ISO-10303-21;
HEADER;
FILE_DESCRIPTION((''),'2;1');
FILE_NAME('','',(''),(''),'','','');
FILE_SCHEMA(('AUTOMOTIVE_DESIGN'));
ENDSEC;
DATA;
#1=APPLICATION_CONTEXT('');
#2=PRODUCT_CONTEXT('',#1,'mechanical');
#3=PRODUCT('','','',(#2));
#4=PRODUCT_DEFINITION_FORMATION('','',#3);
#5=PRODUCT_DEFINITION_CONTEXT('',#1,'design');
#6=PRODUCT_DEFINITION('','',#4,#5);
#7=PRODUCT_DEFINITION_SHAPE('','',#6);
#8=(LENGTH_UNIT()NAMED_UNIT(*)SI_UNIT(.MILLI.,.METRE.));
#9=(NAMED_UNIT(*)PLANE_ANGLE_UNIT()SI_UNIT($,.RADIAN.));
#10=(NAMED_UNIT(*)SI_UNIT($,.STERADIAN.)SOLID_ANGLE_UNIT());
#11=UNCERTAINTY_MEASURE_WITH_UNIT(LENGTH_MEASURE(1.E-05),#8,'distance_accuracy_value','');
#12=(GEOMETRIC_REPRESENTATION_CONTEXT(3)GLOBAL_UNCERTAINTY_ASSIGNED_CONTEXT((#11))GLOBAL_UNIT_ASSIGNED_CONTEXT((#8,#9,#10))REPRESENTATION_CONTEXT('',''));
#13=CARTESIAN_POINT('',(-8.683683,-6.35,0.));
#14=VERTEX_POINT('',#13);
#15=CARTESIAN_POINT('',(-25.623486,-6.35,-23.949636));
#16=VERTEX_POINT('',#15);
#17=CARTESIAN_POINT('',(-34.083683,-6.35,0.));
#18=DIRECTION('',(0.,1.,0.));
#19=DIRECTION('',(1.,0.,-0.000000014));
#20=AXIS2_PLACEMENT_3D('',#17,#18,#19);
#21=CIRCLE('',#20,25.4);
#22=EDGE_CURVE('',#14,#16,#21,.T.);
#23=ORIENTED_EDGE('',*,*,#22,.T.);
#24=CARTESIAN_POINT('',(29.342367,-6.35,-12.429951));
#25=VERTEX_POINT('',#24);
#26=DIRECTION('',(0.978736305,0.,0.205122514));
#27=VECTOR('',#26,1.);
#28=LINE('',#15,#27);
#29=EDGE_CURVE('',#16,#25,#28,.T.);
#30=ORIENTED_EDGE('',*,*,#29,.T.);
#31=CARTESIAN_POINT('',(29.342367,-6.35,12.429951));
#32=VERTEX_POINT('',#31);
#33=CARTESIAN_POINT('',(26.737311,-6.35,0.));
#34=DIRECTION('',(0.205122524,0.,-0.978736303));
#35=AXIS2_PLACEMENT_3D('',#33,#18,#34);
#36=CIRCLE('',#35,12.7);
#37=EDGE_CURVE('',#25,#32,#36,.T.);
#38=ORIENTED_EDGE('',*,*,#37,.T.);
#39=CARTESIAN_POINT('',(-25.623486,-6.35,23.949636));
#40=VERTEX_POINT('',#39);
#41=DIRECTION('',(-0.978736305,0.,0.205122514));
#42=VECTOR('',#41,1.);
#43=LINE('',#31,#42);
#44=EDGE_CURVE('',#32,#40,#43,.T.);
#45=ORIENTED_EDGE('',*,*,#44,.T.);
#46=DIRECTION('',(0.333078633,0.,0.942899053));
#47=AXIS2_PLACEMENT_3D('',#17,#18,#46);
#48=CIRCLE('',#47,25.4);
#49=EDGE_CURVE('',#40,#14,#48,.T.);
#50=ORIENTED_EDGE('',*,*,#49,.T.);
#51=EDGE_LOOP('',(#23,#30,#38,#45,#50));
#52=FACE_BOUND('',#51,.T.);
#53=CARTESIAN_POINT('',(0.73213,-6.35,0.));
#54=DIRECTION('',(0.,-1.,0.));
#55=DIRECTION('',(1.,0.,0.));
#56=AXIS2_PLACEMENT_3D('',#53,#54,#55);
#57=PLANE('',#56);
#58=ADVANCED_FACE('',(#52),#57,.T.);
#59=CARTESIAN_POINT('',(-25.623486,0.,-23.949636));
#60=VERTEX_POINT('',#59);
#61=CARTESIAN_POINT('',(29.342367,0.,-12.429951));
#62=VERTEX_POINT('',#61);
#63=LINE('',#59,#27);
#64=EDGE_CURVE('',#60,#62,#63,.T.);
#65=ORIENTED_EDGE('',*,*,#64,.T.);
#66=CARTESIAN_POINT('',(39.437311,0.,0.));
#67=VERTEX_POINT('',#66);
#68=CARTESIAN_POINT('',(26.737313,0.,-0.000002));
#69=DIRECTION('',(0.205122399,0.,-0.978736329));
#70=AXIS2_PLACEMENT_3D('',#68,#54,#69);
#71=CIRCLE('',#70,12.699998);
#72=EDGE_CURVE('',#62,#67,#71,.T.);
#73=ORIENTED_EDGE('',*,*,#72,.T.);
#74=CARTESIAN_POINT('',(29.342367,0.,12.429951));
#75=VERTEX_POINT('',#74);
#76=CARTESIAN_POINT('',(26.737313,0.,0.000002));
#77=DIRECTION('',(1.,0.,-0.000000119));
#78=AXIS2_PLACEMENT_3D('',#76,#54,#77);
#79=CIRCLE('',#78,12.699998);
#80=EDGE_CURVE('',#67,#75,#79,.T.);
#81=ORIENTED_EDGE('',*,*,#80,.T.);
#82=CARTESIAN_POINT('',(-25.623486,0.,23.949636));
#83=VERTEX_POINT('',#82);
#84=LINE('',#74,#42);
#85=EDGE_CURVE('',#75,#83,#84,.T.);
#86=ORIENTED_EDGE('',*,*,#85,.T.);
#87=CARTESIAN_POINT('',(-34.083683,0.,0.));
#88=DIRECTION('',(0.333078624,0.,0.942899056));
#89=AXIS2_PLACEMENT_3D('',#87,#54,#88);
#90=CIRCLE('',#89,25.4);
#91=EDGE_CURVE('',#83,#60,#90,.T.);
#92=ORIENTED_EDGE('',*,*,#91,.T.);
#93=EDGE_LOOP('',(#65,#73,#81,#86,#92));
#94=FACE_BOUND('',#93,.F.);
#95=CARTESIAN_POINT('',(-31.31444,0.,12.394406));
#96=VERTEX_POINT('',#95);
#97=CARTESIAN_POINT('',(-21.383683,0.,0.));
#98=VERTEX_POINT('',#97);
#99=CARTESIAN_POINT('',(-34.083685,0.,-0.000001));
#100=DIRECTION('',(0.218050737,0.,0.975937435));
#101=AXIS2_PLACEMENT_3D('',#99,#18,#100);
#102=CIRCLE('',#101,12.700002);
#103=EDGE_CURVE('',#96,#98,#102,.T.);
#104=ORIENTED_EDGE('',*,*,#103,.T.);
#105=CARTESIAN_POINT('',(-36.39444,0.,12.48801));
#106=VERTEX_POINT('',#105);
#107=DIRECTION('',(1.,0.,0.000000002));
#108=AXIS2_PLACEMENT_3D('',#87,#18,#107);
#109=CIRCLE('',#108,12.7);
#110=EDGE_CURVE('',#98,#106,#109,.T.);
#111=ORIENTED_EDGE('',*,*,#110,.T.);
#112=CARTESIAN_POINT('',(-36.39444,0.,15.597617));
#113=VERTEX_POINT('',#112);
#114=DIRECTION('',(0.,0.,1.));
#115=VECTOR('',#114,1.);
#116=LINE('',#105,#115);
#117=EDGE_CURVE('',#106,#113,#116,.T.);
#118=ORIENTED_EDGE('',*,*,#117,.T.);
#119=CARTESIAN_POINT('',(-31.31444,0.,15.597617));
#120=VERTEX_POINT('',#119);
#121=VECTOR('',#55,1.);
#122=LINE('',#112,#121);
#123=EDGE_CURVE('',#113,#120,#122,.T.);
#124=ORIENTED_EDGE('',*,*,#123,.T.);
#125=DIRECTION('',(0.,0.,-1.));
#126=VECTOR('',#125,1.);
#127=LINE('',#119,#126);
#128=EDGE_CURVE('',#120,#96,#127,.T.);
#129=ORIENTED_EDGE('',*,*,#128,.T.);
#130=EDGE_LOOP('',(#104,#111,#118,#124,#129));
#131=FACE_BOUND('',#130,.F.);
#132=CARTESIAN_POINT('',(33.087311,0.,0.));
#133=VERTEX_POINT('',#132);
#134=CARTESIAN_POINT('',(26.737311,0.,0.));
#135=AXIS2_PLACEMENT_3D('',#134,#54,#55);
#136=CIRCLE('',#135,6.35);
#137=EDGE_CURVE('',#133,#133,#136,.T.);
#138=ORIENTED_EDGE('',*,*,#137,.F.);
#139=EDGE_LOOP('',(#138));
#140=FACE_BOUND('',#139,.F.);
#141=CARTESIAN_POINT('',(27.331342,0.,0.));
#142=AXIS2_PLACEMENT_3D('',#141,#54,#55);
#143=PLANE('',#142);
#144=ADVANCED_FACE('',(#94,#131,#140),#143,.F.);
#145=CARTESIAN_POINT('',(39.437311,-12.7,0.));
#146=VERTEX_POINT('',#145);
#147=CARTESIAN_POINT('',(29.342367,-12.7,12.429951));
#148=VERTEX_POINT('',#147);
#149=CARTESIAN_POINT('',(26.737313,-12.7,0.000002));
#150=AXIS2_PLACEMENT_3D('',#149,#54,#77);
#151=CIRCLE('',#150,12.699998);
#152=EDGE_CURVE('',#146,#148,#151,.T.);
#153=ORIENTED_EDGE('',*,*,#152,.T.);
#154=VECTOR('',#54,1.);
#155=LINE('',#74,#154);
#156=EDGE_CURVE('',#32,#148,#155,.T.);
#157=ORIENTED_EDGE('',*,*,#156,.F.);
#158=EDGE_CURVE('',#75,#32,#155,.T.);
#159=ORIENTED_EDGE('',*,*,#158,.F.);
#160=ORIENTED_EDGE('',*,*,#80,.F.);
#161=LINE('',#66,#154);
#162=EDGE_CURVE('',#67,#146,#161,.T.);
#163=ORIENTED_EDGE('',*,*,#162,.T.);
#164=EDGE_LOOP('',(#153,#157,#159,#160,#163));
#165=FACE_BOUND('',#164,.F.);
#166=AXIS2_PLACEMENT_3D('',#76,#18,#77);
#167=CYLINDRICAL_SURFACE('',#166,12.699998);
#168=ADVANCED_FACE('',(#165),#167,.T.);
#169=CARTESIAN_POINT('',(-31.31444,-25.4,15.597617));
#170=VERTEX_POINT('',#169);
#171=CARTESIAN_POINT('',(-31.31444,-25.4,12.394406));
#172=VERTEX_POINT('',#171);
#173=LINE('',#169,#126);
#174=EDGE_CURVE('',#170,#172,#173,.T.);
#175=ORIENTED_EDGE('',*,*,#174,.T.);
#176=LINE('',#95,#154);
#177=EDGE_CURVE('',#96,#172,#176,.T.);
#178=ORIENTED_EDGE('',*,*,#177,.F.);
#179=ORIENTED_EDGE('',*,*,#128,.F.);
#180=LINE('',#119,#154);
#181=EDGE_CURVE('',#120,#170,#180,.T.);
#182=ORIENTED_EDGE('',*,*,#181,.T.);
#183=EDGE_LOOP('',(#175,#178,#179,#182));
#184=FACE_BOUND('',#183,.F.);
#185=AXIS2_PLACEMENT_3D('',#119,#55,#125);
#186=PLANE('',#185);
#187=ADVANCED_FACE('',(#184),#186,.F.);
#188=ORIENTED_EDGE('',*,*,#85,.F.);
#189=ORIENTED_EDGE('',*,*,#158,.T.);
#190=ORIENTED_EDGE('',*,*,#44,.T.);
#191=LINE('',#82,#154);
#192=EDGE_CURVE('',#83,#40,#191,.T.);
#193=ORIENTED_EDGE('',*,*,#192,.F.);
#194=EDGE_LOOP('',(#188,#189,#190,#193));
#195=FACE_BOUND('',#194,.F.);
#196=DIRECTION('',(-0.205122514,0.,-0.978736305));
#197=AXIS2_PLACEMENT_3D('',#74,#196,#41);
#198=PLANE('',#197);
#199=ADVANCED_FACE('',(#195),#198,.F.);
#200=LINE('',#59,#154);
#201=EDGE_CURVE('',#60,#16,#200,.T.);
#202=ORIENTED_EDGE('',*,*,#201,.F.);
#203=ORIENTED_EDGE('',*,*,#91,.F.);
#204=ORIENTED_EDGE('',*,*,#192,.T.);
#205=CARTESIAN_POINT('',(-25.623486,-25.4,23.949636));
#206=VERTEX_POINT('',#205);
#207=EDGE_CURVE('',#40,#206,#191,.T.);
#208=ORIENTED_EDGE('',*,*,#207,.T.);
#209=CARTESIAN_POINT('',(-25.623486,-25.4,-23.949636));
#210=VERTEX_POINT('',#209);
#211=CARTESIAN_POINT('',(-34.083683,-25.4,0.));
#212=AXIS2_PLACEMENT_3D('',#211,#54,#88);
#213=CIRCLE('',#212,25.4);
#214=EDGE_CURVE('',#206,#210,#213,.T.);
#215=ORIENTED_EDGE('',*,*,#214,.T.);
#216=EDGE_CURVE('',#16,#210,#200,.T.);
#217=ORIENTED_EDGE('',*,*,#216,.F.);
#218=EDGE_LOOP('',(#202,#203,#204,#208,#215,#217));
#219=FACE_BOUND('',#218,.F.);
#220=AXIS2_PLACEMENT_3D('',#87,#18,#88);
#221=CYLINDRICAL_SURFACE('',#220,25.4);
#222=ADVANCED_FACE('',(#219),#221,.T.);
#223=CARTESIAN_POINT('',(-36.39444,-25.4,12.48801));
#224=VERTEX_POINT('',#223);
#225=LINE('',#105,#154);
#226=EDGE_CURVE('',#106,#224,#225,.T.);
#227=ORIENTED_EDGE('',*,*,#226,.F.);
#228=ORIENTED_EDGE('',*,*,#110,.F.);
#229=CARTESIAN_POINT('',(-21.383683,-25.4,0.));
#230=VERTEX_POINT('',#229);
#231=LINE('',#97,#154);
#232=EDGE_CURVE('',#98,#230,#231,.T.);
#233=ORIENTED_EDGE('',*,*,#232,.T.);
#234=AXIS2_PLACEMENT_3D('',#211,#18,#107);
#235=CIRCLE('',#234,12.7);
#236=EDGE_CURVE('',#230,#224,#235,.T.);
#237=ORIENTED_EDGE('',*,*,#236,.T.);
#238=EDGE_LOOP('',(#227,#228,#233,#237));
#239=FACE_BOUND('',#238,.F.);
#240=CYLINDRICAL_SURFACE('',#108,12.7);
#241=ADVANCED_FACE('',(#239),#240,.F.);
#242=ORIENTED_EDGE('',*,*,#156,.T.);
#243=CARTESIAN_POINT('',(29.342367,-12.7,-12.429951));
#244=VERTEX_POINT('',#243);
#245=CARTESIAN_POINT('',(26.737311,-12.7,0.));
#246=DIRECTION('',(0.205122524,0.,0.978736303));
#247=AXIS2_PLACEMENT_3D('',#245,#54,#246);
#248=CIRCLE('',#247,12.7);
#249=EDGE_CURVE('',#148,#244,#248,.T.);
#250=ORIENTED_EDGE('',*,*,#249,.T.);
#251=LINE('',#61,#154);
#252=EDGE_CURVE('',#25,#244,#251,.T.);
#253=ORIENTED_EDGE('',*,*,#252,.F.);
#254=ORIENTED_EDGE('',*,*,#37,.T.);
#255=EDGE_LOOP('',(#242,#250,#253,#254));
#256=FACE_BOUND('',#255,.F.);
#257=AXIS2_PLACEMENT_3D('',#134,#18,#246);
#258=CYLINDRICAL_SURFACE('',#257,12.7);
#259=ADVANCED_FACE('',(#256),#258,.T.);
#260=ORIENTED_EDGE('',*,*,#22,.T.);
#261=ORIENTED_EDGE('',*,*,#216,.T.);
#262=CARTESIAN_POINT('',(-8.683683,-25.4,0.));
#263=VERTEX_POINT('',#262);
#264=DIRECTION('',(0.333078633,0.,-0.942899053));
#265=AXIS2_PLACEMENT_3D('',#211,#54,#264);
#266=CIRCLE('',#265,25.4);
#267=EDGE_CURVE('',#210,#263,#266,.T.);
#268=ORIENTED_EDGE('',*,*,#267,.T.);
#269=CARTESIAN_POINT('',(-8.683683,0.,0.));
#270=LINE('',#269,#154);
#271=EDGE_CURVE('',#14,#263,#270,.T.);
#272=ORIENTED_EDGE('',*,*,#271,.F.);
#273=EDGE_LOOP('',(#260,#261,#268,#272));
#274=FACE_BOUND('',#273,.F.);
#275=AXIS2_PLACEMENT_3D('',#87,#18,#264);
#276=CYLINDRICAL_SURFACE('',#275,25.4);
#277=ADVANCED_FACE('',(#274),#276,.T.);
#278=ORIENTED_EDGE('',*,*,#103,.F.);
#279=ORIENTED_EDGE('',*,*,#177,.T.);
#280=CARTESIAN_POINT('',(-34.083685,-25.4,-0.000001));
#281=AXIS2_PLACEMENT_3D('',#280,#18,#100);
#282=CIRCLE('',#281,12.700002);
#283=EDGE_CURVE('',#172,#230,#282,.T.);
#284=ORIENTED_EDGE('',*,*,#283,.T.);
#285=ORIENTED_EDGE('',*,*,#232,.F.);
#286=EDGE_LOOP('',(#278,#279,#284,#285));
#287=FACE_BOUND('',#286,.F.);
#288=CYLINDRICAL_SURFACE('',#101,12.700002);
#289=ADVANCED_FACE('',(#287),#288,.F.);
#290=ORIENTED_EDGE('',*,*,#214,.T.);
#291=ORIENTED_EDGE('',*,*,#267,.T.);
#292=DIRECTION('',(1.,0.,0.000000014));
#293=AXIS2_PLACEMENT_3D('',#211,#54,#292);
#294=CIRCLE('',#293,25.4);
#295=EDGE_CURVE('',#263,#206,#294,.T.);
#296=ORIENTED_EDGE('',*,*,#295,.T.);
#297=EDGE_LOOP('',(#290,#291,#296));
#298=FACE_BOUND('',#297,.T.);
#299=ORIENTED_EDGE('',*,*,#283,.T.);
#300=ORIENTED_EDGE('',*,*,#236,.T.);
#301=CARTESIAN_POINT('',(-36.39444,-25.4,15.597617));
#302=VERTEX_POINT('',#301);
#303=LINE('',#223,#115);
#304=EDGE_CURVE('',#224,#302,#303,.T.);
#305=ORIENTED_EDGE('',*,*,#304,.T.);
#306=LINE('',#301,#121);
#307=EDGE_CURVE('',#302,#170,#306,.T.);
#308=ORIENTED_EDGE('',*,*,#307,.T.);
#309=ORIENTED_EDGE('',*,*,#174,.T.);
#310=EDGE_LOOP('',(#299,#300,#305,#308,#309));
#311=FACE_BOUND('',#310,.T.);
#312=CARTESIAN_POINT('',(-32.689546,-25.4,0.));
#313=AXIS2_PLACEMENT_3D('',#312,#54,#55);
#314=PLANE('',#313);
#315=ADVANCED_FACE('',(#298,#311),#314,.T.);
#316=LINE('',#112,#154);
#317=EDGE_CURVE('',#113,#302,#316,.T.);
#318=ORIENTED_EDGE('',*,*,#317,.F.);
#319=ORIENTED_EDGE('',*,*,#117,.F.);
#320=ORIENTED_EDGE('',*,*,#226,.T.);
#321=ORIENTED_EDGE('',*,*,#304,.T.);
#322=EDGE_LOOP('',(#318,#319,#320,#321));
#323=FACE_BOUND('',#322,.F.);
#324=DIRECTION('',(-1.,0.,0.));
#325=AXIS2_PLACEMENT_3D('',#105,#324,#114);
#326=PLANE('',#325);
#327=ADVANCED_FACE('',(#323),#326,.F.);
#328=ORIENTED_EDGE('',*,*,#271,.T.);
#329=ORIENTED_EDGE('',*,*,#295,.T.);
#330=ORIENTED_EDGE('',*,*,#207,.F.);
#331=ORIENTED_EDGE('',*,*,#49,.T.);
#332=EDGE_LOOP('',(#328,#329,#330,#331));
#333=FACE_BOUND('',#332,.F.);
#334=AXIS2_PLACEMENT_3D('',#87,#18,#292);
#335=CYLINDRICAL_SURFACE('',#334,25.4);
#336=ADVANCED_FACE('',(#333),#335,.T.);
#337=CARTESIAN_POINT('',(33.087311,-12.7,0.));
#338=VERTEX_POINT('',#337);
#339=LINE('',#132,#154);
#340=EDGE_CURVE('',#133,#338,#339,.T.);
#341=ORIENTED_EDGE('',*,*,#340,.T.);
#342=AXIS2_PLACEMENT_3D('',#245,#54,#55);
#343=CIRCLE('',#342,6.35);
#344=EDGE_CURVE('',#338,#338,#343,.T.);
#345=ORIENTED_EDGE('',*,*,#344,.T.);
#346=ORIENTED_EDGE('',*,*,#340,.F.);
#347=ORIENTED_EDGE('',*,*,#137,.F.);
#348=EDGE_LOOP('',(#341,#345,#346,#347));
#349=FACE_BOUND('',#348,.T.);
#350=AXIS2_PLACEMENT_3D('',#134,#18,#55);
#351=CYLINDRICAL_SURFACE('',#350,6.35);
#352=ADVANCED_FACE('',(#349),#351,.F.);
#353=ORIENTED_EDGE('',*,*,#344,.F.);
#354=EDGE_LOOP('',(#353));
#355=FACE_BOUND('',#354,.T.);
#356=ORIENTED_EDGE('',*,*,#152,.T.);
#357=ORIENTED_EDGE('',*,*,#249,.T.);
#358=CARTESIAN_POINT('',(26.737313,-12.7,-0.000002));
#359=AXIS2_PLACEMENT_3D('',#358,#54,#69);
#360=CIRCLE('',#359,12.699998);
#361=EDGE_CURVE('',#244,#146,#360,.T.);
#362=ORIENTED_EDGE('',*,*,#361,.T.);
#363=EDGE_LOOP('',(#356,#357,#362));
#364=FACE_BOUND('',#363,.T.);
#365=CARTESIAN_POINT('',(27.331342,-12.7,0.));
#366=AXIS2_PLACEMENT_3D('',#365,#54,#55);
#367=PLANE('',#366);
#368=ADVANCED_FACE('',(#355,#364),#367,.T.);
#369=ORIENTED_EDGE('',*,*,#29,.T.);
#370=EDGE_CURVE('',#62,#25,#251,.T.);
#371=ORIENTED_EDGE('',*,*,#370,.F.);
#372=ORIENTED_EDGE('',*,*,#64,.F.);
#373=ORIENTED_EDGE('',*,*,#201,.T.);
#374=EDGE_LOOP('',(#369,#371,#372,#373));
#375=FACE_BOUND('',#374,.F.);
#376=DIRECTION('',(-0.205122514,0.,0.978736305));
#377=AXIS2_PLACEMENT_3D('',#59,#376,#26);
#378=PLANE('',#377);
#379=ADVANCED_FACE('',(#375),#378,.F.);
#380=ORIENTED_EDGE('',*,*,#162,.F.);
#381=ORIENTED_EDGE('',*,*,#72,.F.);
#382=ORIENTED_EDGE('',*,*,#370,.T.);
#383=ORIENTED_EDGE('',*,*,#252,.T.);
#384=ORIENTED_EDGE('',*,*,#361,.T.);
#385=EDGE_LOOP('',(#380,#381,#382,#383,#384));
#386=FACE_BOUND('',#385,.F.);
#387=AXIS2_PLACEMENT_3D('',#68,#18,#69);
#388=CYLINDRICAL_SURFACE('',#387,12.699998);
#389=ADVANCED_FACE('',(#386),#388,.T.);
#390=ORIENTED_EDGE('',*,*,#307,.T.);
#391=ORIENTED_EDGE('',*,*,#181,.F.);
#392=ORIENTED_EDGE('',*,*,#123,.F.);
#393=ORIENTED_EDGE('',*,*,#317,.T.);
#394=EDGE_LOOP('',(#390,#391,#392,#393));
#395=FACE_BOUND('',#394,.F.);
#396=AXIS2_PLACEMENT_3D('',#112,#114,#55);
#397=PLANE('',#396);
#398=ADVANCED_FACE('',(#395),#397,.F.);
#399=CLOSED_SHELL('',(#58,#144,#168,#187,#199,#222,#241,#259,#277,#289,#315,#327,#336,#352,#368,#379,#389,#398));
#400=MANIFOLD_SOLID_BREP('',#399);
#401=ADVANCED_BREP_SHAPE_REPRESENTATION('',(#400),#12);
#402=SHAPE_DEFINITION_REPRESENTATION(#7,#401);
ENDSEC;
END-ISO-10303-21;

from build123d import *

# Parameters (mm, degrees)
F1_DEPTH = 25.4
F2_DEPTH = 6.35
F0_R     = 6.35
F3_DEPTH = 12.7


with BuildPart() as f1:
    # F0 (on Front) → F1 (new body)
    with BuildSketch(Plane.XZ):
        with BuildLine():
            ThreePointArc((-25.623486, -23.949636), (-13.346651, -14.667498), (-8.683683, 0))
            ThreePointArc((-8.683683, 0), (-13.346651, 14.667498), (-25.623486, 23.949636))
            ThreePointArc((-25.623486, 23.949636), (-59.483683, 0), (-25.623486, -23.949636))
        make_face()
        with BuildLine():
            ThreePointArc((-31.31444, 12.394406), (-24.172594, 7.941052), (-21.383683, 0))
            ThreePointArc((-21.383683, 0), (-42.205979, -9.763109), (-36.39444, 12.48801))
            Line((-36.39444, 12.48801), (-36.39444, 15.597617))
            Line((-36.39444, 15.597617), (-31.31444, 15.597617))
            Line((-31.31444, 15.597617), (-31.31444, 12.394406))
        make_face(mode=Mode.SUBTRACT)
    extrude(amount=F1_DEPTH)

    # F0 (on Front) → F2 (join)
    with BuildSketch(Plane.XZ):
        with BuildLine():
            ThreePointArc((-25.623486, 23.949636), (-13.346651, 14.667498), (-8.683683, 0))
            ThreePointArc((-8.683683, 0), (-13.346651, -14.667498), (-25.623486, -23.949636))
            Line((-25.623486, -23.949636), (29.342367, -12.429951))
            ThreePointArc((29.342367, -12.429951), (14.037311, 0), (29.342367, 12.429951))
            Line((29.342367, 12.429951), (-25.623486, 23.949636))
        make_face()
    extrude(amount=F2_DEPTH)

    # F0 (on Front) → F3 (join)
    with BuildSketch(Plane.XZ):
        with BuildLine():
            ThreePointArc((39.437311, 0), (36.595664, 8.006428), (29.342367, 12.429951))
            ThreePointArc((29.342367, 12.429951), (14.037311, 0), (29.342367, -12.429951))
            ThreePointArc((29.342367, -12.429951), (36.595664, -8.006428), (39.437311, 0))
        make_face()
        with Locations((26.737311, 0)):
            Circle(F0_R, mode=Mode.SUBTRACT)
    extrude(amount=F3_DEPTH)


solid = f1.part
